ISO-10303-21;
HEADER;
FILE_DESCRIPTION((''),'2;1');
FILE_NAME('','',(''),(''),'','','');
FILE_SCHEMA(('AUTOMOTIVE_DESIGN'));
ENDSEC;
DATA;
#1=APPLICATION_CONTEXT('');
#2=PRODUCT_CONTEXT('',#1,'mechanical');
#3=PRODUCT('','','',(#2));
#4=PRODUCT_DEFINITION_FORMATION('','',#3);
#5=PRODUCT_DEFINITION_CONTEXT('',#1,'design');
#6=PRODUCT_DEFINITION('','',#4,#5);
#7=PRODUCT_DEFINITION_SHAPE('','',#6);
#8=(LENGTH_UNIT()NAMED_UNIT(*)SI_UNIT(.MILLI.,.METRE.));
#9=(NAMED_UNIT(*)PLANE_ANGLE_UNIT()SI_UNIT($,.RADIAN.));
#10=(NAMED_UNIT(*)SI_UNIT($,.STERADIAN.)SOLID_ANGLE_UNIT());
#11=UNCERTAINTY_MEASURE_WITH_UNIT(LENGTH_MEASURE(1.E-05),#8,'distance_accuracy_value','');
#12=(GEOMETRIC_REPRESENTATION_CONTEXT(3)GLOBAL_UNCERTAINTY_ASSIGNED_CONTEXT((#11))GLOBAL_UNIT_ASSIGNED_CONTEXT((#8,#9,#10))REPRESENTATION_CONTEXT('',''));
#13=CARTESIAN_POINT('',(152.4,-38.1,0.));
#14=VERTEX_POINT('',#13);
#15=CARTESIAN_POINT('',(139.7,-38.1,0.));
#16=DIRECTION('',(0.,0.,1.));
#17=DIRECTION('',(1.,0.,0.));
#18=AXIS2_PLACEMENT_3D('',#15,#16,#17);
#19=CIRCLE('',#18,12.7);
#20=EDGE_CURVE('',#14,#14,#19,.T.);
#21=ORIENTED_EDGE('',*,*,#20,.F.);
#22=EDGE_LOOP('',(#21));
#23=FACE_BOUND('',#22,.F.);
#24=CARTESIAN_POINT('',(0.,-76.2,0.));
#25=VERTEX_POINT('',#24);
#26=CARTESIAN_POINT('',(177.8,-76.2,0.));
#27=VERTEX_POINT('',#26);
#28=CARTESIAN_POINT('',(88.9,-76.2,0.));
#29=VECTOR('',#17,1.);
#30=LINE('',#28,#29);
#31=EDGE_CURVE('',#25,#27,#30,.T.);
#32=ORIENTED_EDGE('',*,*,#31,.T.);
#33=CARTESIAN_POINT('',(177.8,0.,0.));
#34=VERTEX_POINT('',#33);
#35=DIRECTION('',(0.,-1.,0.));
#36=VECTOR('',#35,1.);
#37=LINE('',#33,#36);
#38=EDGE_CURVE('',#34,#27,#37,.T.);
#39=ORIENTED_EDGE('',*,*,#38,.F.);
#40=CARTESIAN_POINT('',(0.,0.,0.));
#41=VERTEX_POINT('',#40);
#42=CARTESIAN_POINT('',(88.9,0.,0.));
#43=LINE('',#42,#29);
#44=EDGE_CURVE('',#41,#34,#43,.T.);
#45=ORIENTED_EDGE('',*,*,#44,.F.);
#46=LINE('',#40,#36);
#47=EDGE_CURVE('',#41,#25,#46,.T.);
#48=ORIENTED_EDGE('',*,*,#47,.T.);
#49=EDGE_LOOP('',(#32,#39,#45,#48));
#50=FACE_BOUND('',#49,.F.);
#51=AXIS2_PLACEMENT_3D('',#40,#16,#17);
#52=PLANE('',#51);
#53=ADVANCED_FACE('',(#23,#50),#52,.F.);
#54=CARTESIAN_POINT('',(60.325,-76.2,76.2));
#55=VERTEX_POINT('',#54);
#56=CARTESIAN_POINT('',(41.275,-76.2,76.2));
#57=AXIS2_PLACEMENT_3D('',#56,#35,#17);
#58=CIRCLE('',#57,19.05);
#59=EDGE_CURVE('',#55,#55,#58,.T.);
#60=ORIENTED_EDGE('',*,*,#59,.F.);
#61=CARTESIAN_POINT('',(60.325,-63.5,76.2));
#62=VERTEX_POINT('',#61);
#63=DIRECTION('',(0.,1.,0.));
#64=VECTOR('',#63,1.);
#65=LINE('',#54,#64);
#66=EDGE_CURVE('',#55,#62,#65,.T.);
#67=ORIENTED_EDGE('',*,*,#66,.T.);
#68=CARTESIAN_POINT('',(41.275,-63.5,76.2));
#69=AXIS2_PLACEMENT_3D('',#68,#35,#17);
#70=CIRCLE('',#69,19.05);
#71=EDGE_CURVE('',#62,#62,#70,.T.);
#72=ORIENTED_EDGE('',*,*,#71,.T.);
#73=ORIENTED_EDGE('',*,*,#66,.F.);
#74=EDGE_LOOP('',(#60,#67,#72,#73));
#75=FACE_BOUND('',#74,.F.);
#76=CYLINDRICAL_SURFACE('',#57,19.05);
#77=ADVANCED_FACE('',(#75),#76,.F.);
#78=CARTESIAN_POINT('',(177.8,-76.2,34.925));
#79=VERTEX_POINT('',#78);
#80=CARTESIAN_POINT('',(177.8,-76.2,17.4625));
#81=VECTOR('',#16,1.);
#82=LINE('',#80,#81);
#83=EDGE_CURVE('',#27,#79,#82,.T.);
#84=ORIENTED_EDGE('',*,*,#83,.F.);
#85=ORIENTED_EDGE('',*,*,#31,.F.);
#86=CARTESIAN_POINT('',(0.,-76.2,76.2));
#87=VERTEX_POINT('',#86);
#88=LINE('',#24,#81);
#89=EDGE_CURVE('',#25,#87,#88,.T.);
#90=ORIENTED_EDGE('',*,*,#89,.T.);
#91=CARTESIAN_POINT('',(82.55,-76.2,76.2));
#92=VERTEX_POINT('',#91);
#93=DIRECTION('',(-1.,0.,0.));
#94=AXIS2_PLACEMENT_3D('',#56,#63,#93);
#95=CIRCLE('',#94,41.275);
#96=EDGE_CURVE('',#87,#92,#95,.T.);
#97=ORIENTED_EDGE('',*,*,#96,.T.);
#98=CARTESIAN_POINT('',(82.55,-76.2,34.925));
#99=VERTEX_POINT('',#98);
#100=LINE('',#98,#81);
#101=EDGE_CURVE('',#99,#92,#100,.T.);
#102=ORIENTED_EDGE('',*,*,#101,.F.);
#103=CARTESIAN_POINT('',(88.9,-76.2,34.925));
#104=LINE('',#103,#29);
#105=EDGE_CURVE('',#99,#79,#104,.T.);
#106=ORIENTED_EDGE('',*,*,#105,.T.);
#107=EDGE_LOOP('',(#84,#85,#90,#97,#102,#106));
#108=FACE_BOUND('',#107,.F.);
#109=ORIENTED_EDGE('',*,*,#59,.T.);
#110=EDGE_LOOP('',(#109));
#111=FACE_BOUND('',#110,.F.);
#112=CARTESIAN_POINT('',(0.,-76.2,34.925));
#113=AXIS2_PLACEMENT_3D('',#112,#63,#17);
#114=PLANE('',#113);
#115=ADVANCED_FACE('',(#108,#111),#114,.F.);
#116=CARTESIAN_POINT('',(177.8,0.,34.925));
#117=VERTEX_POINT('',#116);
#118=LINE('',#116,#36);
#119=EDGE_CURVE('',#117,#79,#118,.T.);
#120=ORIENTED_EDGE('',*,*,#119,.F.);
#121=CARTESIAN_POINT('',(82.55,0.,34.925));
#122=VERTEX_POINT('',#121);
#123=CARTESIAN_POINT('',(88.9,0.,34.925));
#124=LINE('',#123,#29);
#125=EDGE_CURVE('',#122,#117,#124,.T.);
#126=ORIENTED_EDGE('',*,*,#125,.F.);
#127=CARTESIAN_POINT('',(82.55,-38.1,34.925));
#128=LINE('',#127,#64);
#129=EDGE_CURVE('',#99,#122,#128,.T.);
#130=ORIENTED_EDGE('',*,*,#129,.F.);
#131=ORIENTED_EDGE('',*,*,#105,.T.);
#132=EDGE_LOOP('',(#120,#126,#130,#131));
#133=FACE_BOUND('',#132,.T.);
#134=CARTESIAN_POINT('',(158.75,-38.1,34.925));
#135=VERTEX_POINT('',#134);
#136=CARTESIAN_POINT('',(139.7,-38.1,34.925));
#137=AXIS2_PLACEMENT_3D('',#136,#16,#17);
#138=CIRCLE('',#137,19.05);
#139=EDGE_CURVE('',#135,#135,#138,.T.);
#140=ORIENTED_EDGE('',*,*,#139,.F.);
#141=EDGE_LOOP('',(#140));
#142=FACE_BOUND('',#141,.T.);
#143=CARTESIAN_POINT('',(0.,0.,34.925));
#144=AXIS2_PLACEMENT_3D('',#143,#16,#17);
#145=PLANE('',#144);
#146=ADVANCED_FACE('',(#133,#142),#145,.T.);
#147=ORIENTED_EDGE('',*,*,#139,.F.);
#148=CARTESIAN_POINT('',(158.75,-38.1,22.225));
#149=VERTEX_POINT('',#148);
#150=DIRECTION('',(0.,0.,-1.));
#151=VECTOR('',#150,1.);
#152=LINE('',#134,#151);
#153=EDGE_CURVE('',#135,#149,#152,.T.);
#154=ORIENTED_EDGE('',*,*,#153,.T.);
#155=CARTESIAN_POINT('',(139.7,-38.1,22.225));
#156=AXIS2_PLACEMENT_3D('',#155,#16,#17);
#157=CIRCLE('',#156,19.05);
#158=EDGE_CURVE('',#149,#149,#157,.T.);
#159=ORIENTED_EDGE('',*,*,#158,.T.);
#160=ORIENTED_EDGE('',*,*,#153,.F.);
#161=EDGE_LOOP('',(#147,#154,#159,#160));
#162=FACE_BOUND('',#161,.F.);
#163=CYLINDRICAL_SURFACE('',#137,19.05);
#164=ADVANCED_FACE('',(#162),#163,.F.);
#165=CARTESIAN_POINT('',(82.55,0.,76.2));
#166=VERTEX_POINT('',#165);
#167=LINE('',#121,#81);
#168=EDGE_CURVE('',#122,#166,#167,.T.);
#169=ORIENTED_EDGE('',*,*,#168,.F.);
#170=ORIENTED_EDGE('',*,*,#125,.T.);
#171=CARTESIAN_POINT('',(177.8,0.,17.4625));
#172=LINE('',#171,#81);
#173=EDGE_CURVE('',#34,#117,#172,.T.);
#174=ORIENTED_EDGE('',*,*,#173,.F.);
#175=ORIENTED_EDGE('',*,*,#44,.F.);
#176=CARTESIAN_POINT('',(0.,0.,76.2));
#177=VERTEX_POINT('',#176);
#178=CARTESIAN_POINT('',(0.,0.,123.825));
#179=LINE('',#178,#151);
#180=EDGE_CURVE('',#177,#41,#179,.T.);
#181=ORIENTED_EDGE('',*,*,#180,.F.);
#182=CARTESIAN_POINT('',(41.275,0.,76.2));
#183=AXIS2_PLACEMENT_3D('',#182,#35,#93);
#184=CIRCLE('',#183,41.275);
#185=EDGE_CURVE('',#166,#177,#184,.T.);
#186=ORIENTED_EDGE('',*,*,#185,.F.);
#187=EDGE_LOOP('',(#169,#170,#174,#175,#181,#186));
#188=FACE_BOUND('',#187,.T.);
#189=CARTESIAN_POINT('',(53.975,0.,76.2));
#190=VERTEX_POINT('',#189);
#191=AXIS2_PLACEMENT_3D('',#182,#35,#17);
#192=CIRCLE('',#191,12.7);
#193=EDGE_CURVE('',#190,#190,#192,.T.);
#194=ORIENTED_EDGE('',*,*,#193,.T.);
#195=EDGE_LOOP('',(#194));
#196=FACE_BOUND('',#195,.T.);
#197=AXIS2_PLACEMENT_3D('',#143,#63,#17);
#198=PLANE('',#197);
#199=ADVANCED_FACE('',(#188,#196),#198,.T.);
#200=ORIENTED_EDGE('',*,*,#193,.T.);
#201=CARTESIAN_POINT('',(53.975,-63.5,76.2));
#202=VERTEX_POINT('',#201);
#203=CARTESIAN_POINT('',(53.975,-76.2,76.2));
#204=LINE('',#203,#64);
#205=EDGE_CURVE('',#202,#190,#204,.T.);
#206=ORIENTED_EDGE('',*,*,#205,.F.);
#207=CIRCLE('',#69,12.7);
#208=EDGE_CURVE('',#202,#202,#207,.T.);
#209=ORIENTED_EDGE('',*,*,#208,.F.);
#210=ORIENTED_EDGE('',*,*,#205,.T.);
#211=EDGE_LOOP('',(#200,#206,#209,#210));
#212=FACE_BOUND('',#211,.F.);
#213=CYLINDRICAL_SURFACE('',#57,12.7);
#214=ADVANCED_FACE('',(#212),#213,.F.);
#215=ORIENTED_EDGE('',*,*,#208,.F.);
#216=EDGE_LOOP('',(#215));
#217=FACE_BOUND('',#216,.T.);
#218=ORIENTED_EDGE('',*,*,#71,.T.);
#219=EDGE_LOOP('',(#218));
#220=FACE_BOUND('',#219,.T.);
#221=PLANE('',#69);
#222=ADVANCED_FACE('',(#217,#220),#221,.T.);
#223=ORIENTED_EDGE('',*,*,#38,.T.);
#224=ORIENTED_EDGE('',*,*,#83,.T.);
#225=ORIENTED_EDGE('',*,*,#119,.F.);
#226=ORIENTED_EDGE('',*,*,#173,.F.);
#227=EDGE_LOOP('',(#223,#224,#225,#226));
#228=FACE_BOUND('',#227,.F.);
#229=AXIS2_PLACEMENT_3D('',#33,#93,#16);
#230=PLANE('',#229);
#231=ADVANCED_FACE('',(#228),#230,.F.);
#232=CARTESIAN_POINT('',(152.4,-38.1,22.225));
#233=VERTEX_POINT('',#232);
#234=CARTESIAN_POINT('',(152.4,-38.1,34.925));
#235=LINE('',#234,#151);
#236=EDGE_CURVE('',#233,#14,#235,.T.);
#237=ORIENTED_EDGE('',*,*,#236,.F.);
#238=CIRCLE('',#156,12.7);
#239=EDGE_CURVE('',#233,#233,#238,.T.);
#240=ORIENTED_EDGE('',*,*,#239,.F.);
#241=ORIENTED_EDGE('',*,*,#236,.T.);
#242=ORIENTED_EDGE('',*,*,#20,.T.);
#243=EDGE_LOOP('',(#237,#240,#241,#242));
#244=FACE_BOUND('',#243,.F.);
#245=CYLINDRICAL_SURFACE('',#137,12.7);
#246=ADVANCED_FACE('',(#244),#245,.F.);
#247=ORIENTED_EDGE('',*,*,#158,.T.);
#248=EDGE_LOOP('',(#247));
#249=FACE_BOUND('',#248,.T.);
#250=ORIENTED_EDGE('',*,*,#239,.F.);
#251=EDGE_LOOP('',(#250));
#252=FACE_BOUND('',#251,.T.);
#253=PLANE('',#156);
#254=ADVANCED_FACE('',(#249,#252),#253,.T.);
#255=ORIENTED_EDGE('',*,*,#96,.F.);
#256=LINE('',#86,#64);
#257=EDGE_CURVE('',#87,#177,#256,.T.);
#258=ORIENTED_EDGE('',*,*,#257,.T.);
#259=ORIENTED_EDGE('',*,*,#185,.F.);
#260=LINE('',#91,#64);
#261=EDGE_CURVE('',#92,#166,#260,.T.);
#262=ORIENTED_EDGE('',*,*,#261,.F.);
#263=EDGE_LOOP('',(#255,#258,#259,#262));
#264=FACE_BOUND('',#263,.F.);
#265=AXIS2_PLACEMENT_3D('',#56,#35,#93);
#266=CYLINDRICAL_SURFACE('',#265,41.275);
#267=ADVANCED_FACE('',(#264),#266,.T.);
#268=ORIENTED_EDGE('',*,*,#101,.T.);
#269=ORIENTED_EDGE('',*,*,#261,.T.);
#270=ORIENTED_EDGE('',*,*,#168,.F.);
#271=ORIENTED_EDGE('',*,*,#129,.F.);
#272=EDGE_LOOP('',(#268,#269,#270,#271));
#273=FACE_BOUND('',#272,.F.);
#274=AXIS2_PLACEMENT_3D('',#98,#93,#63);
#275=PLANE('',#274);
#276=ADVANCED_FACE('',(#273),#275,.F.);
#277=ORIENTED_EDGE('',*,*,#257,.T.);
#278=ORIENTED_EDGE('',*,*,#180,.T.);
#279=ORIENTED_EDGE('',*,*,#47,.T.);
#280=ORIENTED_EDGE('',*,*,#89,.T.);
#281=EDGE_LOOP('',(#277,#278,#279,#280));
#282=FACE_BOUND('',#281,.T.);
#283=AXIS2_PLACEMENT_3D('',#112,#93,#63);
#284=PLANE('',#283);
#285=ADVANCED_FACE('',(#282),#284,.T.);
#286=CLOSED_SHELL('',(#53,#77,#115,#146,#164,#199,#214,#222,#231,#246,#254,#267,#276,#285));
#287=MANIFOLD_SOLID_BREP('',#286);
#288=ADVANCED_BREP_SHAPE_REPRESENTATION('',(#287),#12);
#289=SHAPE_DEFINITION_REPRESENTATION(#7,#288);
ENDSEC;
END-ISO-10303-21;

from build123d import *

# Parameters (mm, degrees)
F0_W      = 177.8
F0_H      = 34.925
F1_DEPTH  = 76.2
F2_W      = 82.55
F2_H      = 76.2
F3_DEPTH  = 88.9
F5_DEPTH  = 76.201
F6_R      = 19.05
F7_DEPTH  = 12.7
F8_R      = 12.7
F9_DEPTH  = 34.926
F10_R     = 19.05
F11_DEPTH = 12.7
F12_R     = 12.7
F13_DEPTH = 76.201


with BuildPart() as f1:
    # F0 (on Front) → F1 (new body)
    with BuildSketch(Plane.XZ):
        with Locations((88.9, 17.4625)):
            Rectangle(F0_W, F0_H)
    extrude(amount=F1_DEPTH)

    # F2 (on face) → F3 (join)
    with BuildSketch(Plane.XY.offset(34.925)):
        with Locations((41.275, -38.1)):
            Rectangle(F2_W, F2_H)
    extrude(amount=F3_DEPTH)

    # F4 (on face) → F5 (cut, through all)
    with BuildSketch(Plane.XZ.offset(76.2)):
        with BuildLine():
            ThreePointArc((0, 76.2), (41.275, 117.475), (82.55, 76.2))
            Line((82.55, 76.2), (82.55, 123.825))
            Line((82.55, 123.825), (0, 123.825))
            Line((0, 123.825), (0, 76.2))
        make_face()
    extrude(amount=-F5_DEPTH, mode=Mode.SUBTRACT)

    # F6 (on face) → F7 (cut)
    with BuildSketch(Plane.XY.offset(34.925)):
        with Locations((139.7, -38.1)):
            Circle(F6_R)
    extrude(amount=-F7_DEPTH, mode=Mode.SUBTRACT)

    # F8 (on face) → F9 (cut, through all)
    with BuildSketch(Plane.XY.offset(34.925)):
        with Locations((139.7, -38.1)):
            Circle(F8_R)
    extrude(amount=-F9_DEPTH, mode=Mode.SUBTRACT)

    # F10 (on face) → F11 (cut)
    with BuildSketch(Plane.XZ.offset(76.2)):
        with Locations((41.275, 76.2)):
            Circle(F10_R)
    extrude(amount=-F11_DEPTH, mode=Mode.SUBTRACT)

    # F12 (on face) → F13 (cut, through all)
    with BuildSketch(Plane.XZ.offset(76.2)):
        with Locations((41.275, 76.2)):
            Circle(F12_R)
    extrude(amount=-F13_DEPTH, mode=Mode.SUBTRACT)


solid = f1.part
